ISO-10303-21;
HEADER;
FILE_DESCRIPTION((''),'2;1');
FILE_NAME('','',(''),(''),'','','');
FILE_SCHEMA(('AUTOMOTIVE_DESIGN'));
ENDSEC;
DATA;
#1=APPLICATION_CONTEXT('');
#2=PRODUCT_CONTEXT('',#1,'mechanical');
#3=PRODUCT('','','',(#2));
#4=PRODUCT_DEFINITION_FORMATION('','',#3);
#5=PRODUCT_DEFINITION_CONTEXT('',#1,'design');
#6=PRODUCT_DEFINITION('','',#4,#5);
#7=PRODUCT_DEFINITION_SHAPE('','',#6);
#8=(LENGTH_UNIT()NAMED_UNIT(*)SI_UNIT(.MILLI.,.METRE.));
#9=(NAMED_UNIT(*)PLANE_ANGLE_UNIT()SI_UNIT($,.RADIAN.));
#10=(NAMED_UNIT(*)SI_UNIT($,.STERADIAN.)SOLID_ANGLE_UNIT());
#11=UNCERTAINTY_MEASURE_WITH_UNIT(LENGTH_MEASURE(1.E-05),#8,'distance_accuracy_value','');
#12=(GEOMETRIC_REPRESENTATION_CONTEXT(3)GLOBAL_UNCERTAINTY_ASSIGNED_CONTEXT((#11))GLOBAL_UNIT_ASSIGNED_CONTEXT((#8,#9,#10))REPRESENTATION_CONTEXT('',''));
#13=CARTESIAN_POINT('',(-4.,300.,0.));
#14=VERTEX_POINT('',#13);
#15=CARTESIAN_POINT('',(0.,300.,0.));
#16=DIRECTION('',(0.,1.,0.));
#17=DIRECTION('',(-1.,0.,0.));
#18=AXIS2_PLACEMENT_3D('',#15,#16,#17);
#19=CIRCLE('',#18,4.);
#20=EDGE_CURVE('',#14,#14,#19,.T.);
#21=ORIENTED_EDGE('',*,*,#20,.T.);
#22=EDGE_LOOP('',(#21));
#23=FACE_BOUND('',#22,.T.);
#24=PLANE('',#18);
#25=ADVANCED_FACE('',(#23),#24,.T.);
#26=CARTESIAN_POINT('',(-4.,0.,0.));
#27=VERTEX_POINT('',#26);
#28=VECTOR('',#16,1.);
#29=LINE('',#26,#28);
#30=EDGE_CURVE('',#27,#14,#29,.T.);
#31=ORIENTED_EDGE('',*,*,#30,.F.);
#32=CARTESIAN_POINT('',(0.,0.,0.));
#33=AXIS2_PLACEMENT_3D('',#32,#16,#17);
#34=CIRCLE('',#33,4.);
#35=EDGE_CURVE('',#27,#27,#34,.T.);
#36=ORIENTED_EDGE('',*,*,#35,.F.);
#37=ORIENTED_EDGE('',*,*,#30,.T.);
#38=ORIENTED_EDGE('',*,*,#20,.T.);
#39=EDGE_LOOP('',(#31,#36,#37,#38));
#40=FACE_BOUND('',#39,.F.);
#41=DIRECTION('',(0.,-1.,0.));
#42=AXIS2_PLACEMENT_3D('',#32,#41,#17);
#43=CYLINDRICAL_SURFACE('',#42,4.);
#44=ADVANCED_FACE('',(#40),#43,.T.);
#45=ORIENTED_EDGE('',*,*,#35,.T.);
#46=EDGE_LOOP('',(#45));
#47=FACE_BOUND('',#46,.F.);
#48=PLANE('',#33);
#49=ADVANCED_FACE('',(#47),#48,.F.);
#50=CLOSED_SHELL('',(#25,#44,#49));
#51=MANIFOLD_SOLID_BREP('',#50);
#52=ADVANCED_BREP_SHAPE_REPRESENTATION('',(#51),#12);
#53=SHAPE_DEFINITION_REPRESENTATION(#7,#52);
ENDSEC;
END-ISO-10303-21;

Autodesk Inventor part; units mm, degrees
ref_plane "YZ Plane" through (0, 0, 0) normal (1, 0, 0) x (0, 1, 0)
ref_plane "XZ Plane" through (0, 0, 0) normal (0, 1, 0) x (-1, 0, 0)
ref_plane "XY Plane" through (0, 0, 0) normal (0, 0, 1) x (1, 0, 0)
sketch "Sketch1" plane through (0, 0, 0) normal (0, 1, 0) x (-1, 0, 0)
  circle A0 centre (0, 0) radius 4
  dimension "d0" = 8
extrude "Extrusion1" add sketch "Sketch1" along normal blind 300
properties part number "Lead Screw"
